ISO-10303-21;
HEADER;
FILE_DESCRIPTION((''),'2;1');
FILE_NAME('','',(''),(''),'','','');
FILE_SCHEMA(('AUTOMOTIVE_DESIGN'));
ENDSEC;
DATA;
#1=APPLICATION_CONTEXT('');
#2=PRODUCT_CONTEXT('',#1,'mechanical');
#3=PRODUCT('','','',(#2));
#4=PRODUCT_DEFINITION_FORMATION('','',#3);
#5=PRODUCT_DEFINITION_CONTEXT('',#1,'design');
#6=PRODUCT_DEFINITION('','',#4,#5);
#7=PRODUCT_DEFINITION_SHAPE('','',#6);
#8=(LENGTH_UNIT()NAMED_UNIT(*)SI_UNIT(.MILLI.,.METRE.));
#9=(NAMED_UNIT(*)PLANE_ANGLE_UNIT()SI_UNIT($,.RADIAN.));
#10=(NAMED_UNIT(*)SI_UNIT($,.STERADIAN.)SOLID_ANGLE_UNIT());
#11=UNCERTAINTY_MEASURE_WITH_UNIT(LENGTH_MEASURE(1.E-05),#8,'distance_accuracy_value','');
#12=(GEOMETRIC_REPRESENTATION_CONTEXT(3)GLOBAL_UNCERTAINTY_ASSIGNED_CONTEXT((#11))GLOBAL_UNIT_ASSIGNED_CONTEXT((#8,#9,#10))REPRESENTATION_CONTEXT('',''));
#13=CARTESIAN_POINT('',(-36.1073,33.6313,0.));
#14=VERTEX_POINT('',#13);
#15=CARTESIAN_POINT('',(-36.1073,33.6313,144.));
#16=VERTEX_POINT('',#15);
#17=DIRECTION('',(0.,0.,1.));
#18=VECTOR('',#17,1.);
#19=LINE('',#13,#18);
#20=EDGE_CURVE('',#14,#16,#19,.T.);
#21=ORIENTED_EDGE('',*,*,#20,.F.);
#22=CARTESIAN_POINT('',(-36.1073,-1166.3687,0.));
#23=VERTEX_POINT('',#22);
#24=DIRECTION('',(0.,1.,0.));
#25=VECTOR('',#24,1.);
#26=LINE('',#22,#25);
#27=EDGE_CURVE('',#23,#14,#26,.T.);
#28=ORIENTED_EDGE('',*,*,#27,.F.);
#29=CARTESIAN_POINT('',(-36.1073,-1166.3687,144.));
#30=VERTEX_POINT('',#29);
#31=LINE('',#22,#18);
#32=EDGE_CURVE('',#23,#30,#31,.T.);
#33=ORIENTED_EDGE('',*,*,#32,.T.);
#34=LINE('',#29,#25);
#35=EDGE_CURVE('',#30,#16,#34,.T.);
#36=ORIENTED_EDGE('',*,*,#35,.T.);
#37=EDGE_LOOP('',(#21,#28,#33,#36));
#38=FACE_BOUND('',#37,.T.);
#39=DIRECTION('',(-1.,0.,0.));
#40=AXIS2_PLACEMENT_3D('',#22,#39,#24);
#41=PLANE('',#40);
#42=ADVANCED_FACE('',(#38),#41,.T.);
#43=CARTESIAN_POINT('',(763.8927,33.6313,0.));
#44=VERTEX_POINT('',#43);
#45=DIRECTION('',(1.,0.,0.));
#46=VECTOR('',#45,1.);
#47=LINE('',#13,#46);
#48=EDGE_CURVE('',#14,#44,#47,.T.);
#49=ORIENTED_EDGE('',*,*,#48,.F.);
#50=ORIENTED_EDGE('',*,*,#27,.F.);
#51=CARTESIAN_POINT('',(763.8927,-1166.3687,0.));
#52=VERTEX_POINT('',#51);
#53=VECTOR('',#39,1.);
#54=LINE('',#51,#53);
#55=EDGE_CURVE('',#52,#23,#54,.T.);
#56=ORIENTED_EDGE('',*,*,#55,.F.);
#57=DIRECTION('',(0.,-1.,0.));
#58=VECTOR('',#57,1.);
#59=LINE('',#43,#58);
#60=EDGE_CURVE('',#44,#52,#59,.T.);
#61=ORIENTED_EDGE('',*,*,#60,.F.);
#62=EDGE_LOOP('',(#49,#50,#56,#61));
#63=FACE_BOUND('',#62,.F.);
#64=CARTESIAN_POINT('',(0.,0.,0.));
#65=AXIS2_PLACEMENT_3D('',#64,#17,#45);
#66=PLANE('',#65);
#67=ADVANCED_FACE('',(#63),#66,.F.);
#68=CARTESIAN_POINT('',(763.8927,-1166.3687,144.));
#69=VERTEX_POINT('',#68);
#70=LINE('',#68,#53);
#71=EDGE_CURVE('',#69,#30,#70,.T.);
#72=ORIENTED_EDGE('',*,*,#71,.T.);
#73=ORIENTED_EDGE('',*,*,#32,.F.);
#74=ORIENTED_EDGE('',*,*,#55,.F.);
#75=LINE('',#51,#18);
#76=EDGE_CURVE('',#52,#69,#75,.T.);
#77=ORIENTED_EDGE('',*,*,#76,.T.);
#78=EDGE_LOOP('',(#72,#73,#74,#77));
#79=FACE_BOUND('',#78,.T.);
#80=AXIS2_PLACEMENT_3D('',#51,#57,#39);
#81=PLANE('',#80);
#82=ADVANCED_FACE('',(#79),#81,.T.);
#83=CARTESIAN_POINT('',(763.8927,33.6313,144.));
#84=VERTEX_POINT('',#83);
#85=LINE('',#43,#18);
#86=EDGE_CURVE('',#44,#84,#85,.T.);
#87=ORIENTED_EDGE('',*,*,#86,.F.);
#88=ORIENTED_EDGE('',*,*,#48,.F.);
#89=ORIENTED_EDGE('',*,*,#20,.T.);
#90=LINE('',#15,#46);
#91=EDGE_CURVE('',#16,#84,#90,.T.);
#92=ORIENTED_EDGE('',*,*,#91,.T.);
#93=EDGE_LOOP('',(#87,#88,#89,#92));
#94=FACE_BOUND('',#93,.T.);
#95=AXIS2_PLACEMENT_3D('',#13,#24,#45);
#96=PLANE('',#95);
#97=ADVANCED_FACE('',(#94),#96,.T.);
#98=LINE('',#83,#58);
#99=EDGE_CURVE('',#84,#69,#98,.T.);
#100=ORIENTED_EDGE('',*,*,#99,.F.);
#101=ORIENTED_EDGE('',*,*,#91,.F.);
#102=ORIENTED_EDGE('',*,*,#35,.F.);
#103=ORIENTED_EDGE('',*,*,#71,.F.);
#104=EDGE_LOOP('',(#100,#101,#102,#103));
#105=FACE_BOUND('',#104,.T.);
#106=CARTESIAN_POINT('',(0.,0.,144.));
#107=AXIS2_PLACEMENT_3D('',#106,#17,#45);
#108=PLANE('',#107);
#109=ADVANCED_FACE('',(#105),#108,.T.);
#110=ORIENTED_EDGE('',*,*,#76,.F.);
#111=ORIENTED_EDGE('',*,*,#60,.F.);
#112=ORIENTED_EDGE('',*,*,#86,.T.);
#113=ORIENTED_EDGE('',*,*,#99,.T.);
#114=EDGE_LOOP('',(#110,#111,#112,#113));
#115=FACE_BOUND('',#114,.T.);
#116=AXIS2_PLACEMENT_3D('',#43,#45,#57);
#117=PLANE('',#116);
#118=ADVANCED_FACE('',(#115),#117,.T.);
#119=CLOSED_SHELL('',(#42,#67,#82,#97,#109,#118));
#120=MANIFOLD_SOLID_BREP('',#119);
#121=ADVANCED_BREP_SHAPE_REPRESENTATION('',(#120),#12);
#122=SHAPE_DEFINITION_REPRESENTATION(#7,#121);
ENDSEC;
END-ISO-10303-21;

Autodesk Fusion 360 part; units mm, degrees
sketch "Sketch1" plane through (0, 0, 0) normal (0, 0, 1) x (1, 0, 0)
  line L0 (-36.1073, 33.6313) -> (763.8927, 33.6313)
  line L1 (763.8927, 33.6313) -> (763.8927, -1166.3687)
  line L2 (763.8927, -1166.3687) -> (-36.1073, -1166.3687)
  line L3 (-36.1073, -1166.3687) -> (-36.1073, 33.6313)
  dimension "d1" = 800
  dimension "d2" = 1200
extrude "Extrude1" add sketch "Sketch1" along normal blind 144
